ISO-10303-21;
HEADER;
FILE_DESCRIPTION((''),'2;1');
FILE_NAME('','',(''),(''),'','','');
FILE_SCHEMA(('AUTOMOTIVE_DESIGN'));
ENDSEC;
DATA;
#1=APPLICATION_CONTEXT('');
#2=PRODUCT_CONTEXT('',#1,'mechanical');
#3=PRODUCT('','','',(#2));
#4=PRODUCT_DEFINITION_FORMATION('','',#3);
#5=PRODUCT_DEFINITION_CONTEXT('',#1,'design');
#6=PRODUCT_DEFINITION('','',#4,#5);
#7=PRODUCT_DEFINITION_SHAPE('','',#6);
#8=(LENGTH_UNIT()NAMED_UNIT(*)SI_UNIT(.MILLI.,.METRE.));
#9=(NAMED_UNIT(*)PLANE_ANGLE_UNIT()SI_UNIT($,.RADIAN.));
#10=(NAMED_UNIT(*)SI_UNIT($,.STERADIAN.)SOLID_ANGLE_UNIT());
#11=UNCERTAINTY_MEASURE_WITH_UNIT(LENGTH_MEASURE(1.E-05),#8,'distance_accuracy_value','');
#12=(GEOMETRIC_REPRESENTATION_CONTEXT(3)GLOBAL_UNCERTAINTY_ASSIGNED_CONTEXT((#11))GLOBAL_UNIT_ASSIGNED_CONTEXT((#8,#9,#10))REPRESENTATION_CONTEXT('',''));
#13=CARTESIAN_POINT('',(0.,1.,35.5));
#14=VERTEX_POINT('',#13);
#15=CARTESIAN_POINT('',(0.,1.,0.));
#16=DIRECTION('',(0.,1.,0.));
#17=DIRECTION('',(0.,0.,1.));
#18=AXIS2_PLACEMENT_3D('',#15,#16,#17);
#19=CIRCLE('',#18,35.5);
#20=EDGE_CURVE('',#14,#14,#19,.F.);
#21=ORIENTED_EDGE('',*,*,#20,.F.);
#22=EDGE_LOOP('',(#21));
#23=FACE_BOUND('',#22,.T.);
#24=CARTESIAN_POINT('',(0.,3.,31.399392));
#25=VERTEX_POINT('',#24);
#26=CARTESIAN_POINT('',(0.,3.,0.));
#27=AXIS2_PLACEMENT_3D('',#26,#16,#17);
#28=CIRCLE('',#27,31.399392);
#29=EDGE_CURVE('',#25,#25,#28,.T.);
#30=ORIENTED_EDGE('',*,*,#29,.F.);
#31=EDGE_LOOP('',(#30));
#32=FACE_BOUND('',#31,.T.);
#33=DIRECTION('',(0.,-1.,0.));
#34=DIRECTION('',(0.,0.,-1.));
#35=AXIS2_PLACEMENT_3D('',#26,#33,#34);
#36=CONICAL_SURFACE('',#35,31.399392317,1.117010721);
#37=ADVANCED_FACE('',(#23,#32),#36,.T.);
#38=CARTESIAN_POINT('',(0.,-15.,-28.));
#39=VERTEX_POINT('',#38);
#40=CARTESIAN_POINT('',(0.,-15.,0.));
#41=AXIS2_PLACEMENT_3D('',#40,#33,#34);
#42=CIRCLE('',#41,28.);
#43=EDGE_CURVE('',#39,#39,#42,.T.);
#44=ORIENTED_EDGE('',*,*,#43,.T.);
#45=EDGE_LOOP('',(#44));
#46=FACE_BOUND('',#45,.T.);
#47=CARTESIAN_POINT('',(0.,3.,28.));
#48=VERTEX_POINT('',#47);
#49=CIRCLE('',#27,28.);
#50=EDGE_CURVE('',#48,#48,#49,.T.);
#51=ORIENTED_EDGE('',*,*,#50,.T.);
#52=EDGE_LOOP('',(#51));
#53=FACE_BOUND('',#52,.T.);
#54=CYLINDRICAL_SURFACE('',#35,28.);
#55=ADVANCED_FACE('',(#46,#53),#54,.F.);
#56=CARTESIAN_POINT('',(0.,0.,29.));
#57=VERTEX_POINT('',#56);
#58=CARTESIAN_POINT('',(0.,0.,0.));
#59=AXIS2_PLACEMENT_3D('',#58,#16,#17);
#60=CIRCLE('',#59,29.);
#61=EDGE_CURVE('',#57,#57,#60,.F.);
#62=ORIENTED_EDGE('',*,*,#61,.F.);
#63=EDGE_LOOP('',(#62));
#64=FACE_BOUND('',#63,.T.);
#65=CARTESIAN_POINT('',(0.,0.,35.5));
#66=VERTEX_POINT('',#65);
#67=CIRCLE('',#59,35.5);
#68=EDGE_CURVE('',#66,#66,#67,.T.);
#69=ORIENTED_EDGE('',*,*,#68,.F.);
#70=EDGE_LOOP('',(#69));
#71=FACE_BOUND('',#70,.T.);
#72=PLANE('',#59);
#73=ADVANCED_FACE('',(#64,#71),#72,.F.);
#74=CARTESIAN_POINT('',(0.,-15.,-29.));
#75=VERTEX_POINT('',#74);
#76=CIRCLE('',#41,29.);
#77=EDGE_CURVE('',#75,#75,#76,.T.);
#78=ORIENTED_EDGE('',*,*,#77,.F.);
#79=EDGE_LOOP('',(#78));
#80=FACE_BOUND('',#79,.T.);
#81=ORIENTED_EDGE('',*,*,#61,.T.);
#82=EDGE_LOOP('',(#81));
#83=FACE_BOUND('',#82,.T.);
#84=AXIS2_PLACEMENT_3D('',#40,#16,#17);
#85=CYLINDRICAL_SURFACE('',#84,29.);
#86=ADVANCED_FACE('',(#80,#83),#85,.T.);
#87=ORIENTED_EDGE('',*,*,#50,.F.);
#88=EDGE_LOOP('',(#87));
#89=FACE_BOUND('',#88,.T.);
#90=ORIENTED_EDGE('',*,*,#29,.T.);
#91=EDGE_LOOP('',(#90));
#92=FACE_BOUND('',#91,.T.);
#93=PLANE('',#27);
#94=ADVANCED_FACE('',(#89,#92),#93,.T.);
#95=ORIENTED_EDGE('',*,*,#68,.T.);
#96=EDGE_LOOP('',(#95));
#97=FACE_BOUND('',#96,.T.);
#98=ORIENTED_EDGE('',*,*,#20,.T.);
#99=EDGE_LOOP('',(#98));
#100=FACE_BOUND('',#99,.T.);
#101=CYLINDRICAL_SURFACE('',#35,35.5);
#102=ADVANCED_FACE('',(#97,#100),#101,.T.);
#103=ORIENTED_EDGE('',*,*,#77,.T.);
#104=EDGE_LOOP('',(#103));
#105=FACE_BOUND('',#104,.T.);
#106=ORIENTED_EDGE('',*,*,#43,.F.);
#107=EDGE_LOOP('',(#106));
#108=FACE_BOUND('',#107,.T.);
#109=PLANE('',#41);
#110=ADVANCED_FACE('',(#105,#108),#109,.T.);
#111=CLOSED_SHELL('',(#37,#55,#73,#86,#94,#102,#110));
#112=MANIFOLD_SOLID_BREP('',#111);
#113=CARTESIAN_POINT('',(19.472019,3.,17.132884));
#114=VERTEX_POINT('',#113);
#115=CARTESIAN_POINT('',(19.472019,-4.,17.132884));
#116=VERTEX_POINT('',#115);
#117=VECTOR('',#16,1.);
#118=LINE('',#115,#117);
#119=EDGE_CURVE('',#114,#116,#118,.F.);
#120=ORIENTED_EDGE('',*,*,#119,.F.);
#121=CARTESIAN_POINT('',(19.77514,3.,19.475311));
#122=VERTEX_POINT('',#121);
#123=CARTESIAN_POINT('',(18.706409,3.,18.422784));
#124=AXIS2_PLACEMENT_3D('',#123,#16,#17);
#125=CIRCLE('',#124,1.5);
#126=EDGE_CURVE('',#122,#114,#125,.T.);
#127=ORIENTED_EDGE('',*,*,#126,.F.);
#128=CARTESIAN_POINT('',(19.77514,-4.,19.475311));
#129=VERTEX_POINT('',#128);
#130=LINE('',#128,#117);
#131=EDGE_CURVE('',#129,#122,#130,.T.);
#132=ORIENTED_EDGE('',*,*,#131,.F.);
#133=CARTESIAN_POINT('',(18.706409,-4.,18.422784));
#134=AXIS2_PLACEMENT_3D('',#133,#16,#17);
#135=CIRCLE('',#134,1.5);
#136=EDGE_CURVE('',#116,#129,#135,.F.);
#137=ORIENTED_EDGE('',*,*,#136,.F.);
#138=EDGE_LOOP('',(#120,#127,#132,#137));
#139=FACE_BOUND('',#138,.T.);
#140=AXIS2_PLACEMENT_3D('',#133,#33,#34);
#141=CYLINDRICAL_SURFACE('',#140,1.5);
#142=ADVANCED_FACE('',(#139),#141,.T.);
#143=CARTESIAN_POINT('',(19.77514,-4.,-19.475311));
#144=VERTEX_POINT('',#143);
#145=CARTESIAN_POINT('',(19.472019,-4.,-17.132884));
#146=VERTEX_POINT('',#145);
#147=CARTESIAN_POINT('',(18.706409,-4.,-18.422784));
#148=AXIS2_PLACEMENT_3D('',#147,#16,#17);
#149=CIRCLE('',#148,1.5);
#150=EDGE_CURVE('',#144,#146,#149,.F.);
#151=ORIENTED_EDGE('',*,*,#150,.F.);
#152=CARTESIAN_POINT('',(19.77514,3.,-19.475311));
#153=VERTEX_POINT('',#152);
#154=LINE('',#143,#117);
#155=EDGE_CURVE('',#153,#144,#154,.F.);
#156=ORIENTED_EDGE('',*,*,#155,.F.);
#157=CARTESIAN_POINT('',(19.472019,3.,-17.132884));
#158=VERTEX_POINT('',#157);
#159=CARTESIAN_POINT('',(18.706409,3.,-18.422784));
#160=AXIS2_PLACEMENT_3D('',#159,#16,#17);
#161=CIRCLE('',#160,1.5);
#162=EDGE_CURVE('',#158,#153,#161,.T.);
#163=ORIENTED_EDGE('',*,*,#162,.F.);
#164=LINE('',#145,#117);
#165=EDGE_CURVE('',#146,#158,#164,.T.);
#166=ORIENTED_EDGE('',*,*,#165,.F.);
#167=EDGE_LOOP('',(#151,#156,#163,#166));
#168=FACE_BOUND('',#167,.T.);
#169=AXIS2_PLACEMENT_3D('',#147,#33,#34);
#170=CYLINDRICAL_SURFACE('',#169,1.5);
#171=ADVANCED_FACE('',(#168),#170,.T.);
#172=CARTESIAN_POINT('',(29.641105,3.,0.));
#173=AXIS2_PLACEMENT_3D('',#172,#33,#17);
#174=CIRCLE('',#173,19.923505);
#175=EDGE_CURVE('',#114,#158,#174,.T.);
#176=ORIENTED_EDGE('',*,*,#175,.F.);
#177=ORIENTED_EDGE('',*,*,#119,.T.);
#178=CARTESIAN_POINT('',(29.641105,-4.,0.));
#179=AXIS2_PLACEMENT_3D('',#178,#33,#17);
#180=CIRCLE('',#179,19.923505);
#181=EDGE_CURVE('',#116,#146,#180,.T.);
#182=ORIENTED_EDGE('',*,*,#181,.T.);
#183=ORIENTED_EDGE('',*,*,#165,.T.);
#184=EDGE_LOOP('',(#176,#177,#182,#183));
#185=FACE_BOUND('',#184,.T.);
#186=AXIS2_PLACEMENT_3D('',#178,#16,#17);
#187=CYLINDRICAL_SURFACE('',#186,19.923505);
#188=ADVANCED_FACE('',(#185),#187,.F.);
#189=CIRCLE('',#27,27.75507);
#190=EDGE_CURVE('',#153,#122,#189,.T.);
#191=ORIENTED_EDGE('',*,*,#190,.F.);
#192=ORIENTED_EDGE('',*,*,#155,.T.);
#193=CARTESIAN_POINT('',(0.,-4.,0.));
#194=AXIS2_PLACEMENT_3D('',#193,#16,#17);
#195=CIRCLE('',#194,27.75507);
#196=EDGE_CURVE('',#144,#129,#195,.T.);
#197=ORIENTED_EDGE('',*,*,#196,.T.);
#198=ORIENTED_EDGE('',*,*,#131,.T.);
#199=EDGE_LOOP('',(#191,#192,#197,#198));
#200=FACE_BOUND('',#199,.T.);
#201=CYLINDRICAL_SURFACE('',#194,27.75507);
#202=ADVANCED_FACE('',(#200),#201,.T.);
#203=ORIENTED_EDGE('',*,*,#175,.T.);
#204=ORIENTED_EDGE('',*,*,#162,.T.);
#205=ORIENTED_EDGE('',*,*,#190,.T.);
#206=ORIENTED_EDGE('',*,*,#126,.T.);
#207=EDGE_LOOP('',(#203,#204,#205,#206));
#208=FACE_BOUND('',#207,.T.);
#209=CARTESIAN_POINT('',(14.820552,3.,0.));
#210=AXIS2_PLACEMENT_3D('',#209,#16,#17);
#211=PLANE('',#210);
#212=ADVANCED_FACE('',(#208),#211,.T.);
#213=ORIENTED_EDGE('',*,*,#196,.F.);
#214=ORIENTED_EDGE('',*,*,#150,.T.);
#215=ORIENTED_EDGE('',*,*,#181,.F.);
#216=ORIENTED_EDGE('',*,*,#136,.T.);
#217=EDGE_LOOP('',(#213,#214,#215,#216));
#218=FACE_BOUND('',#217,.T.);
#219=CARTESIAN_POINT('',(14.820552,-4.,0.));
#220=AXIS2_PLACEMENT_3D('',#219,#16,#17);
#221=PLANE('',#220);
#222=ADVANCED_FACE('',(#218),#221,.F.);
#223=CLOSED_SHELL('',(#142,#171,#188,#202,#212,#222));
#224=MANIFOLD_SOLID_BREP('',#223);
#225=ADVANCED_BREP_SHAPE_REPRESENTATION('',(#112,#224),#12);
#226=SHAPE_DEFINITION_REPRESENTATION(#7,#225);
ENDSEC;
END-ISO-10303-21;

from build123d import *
from build123d.topology import SkipClean

# Parameters (mm, degrees)
SKETCH_1_R      = 35.5
SKETCH_1_R_2    = 28
EXTRUDE_1_DEPTH = 3
CHAMFER_1_SIZE  = 2
CHAMFER_1_SIZE2 = 4.100607683
EXTRUDE_START   = 15
SKETCH_2_R      = 29
SKETCH_2_R_2    = 28
EXTRUDE_2_DEPTH = 15
EXTRUDE_3_DEPTH = 7
FILLET_1_R      = 1.5


with BuildPart() as part:
    # Эскиз1 → Бобышка-Вытянуть1 (new body)
    with BuildSketch(Plane(origin=(0, 0, 0), x_dir=(1, 0, 0), z_dir=(0, 1, 0))):
        with Locations(Location((0, 0, 0), (0, 0, 270))):
            Circle(SKETCH_1_R)
        with Locations(Location((0, 0, 0), (0, 0, 270))):
            Circle(SKETCH_1_R_2, mode=Mode.SUBTRACT)
    extrude(amount=EXTRUDE_1_DEPTH)

    # Фаска1
    chamfer_1_edges = [part.edges().sort_by_distance(p)[0] for p in [
        (0, 3, -35.5),
    ]]
    chamfer_1_side = [part.faces().sort_by_distance(p)[0] for p in [
        (0, 1.5, -35.5),
    ]]
    chamfer(chamfer_1_edges, length=CHAMFER_1_SIZE, length2=CHAMFER_1_SIZE2, reference=chamfer_1_side[0])

    # Эскиз2 → Бобышка-Вытянуть2 (add)
    with SkipClean():  # the faces are left unmerged after this step: merging them gives an invalid solid
        with BuildSketch(Plane.XZ.offset(EXTRUDE_START)):
            with Locations(Location((0, 0, 0), (0, 0, 90))):
                Circle(SKETCH_2_R)
            with Locations(Location((0, 0, 0), (0, 0, 270))):
                Circle(SKETCH_2_R_2, mode=Mode.SUBTRACT)
        extrude(amount=-EXTRUDE_2_DEPTH)


with BuildPart() as body_2:
    # Эскиз3 → Бобышка-Вытянуть3 (new body)
    with BuildSketch(Plane(origin=(0, 3, 0), x_dir=(1, 0, 0), z_dir=(0, 1, 0))):
        with BuildLine():
            ThreePointArc((21.119202458, 18.008976017), (-27.755070341, 0), (21.119202458, -18.008976017))
            ThreePointArc((21.119202458, -18.008976017), (9.717600244, 0), (21.119202458, 18.008976017))
        make_face()
    extrude(amount=-EXTRUDE_3_DEPTH)

    # Скругление1
    fillet_1_edges = [body_2.edges().sort_by_distance(p)[0] for p in [
        (21.119202458, -0.5, 18.008976017),
        (21.119202458, -0.5, -18.008976017),
    ]]
    fillet(fillet_1_edges, radius=FILLET_1_R)


solid = Compound([part.part, body_2.part])
